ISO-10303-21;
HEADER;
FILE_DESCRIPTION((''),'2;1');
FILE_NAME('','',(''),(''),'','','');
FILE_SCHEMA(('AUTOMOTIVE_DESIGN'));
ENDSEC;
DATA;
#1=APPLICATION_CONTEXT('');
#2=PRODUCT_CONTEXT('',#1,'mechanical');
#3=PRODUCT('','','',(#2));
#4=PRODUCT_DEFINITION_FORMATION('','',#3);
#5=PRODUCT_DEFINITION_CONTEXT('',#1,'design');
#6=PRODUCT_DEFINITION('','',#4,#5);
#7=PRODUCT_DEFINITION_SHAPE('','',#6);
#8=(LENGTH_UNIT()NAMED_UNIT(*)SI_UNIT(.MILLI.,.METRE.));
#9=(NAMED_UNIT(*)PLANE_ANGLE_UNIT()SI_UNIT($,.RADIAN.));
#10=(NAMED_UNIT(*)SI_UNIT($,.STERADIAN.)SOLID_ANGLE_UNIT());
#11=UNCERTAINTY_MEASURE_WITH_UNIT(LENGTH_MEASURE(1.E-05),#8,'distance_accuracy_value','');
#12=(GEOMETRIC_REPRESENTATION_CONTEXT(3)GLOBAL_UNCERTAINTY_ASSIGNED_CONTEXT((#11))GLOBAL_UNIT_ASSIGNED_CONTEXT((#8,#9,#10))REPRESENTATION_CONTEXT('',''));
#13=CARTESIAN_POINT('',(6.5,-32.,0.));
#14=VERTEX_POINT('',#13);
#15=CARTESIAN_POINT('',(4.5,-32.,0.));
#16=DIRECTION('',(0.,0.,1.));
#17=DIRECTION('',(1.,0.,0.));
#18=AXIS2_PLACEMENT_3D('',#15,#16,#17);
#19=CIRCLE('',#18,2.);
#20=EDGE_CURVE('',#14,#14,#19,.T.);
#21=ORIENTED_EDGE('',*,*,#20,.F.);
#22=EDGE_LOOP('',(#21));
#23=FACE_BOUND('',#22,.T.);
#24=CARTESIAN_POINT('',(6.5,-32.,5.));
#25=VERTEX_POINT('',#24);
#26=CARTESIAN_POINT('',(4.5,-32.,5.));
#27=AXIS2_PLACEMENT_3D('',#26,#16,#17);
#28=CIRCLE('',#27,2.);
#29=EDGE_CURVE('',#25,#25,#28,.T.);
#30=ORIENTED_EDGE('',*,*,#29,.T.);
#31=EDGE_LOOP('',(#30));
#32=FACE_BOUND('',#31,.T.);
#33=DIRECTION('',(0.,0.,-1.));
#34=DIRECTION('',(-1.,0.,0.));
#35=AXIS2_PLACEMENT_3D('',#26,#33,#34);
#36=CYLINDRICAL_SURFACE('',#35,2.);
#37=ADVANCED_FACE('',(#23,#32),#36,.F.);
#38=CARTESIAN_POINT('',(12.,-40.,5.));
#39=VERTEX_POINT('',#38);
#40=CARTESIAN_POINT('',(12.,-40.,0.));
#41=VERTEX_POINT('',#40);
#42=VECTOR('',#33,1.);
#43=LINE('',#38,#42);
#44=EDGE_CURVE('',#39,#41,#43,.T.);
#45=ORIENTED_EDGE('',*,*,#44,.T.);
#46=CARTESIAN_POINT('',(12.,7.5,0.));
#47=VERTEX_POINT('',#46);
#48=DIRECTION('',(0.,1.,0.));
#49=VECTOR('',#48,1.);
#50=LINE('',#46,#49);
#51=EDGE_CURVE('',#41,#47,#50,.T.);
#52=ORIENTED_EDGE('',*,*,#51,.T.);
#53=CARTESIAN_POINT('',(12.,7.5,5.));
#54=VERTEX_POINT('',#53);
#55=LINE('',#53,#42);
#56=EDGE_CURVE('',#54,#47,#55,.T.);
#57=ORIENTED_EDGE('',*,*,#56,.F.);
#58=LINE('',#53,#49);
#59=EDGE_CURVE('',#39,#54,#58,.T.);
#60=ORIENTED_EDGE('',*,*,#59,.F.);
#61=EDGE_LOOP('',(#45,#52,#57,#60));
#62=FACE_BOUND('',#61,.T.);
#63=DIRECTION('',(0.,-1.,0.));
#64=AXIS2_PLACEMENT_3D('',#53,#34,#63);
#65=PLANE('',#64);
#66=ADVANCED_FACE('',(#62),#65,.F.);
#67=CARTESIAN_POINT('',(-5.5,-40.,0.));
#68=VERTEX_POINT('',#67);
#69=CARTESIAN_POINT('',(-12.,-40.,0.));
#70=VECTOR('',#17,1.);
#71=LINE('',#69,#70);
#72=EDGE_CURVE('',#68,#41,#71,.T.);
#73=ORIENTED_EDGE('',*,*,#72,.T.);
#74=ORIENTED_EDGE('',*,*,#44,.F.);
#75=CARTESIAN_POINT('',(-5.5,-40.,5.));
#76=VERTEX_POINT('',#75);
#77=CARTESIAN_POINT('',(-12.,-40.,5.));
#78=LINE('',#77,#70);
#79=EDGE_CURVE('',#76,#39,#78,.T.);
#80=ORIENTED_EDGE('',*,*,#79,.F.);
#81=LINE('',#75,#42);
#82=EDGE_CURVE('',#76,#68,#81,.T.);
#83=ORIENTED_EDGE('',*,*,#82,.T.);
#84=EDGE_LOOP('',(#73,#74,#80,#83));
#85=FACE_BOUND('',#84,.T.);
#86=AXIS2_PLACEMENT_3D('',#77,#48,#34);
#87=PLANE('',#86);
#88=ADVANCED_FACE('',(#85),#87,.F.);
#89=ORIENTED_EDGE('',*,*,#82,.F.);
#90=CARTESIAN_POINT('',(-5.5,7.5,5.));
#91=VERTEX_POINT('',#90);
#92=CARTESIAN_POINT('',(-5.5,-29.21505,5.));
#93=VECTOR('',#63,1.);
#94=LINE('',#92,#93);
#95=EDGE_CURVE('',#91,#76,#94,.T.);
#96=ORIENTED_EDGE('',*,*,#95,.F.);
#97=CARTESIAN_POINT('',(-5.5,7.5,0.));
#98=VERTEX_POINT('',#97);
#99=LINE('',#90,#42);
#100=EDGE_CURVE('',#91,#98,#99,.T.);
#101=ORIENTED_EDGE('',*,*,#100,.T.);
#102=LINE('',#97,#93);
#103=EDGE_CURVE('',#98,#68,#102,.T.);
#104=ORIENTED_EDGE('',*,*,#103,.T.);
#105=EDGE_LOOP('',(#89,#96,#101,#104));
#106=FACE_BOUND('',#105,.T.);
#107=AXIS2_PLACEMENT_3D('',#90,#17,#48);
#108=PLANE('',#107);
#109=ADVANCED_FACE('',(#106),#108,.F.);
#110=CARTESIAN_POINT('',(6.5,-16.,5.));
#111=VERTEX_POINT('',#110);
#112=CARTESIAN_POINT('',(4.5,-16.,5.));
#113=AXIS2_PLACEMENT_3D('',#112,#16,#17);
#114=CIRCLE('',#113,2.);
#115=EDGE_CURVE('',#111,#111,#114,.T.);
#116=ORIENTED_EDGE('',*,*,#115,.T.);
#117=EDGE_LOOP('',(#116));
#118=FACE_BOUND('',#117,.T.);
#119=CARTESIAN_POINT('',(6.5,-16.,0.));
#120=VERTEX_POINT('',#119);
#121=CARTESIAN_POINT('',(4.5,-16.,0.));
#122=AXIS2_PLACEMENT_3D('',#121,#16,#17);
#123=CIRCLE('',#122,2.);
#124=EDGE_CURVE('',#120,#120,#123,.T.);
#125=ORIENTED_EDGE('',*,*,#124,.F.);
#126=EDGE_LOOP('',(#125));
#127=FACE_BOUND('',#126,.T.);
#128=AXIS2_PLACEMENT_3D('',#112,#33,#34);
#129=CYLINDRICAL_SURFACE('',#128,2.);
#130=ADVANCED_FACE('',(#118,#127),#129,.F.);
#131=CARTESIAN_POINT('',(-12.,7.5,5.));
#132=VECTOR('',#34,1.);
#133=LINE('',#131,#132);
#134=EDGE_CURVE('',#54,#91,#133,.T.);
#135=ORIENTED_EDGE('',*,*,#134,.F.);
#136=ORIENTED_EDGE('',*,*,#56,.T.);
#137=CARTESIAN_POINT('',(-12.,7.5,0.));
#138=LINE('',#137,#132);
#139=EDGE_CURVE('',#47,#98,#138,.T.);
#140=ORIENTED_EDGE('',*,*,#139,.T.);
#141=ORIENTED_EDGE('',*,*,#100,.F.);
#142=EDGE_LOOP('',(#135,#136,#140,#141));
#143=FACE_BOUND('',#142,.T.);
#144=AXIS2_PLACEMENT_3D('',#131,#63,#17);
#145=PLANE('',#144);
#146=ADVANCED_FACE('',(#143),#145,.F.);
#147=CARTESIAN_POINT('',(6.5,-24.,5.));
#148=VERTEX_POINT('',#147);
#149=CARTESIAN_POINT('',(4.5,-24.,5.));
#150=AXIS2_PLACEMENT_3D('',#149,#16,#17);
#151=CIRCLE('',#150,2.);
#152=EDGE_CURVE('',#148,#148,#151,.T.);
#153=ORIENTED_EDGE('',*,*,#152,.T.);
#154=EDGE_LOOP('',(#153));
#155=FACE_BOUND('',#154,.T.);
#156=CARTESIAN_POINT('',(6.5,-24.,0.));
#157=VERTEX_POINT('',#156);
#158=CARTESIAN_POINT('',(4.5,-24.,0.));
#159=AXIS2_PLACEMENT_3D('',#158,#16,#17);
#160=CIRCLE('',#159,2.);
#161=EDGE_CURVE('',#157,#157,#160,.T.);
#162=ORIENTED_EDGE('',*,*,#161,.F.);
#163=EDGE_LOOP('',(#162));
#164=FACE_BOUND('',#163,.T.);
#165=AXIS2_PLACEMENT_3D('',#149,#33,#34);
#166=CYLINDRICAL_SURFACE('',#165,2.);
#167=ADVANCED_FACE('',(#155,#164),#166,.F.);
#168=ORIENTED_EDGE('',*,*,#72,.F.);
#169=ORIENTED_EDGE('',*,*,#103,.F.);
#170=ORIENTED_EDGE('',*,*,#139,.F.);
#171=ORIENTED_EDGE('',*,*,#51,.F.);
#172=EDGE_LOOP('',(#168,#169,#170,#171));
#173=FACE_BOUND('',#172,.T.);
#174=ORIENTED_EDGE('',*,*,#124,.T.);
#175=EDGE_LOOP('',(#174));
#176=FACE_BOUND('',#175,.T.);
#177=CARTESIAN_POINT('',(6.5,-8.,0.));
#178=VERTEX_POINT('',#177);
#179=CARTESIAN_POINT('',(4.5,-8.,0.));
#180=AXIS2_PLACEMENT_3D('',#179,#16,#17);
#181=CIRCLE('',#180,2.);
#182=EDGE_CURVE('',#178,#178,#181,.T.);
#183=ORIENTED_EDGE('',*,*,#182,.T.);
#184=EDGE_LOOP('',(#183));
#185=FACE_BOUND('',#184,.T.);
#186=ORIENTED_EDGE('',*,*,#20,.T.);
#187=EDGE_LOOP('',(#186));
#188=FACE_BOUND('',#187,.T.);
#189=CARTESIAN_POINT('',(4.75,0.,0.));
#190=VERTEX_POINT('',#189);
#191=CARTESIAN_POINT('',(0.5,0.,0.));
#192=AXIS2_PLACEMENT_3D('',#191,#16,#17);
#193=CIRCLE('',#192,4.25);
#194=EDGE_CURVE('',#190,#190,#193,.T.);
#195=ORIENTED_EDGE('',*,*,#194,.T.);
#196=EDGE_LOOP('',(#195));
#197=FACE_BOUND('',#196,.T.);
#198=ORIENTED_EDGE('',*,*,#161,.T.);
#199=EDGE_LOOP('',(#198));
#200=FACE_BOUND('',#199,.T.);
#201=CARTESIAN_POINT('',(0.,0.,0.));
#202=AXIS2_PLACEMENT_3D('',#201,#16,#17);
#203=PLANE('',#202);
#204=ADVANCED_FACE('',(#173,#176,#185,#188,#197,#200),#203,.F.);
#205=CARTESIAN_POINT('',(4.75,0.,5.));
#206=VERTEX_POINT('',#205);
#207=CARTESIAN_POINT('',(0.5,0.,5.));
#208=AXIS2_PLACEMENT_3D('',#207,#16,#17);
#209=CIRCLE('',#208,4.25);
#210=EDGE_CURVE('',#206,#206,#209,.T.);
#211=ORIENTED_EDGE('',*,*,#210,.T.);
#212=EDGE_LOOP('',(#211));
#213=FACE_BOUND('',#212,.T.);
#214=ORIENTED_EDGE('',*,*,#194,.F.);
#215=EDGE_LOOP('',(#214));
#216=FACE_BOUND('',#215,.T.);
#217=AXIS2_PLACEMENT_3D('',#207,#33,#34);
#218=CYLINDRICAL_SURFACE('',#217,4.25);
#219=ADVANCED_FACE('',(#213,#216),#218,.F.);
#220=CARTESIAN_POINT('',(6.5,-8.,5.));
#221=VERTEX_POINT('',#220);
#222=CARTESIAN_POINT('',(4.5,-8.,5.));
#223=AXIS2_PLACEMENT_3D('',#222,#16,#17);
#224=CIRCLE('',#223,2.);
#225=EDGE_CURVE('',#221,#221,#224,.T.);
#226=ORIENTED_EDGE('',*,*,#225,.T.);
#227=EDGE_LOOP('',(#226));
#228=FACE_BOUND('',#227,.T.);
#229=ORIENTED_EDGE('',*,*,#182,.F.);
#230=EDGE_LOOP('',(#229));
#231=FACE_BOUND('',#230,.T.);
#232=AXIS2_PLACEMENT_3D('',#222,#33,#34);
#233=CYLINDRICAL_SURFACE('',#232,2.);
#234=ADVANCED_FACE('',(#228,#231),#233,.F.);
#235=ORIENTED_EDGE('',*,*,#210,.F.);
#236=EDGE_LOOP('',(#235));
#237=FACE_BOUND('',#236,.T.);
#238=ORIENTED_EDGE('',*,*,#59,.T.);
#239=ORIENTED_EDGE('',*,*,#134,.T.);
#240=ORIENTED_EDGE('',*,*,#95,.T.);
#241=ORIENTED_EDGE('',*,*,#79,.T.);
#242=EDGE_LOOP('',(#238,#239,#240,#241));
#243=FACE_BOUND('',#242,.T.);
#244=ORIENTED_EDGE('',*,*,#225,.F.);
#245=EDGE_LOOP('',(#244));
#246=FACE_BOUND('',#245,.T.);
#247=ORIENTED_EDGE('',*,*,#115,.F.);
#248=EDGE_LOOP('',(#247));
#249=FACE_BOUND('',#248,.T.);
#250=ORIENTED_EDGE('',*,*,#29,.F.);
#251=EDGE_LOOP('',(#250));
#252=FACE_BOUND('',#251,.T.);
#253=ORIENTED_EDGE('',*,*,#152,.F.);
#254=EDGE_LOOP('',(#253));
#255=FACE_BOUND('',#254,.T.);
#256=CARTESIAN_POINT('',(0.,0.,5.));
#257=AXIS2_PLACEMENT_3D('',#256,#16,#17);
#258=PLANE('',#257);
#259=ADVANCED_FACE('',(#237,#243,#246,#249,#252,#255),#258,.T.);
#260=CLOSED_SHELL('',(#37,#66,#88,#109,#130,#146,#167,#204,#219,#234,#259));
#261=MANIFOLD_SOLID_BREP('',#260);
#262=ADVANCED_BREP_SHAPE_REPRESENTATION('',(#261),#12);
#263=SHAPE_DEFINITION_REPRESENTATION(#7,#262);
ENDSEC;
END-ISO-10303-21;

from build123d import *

# Parameters (mm, degrees)
CROQUIS1_W              = 24
CROQUIS1_H              = 47.5
CROQUIS1_R              = 2
CROQUIS1_R_2            = 4.25
SALIENTE_EXTRUIR1_DEPTH = 5
CORTAR_EXTRUIR2_DEPTH   = 5


with BuildPart() as part:
    # Croquis1 → Saliente-Extruir1 (new body)
    with BuildSketch(Plane.XY):
        with Locations((0, -16.25)):
            Rectangle(CROQUIS1_W, CROQUIS1_H)
        with Locations((4.5, -8)):
            Circle(CROQUIS1_R, mode=Mode.SUBTRACT)
        with Locations((4.5, -16)):
            Circle(CROQUIS1_R, mode=Mode.SUBTRACT)
        with Locations((4.5, -24)):
            Circle(CROQUIS1_R, mode=Mode.SUBTRACT)
        with Locations((0.5, 0)):
            Circle(CROQUIS1_R_2, mode=Mode.SUBTRACT)
        with Locations((4.5, -32)):
            Circle(CROQUIS1_R, mode=Mode.SUBTRACT)
    extrude(amount=SALIENTE_EXTRUIR1_DEPTH)

    # Croquis2 → Cortar-Extruir2 (cut)
    with BuildSketch(Plane(origin=(0, 0, 0), x_dir=(-1, 0, 0), z_dir=(0, 0, -1))):
        Polygon((5.5, 7.5), (12, 7.5), (12, -43.69397747), (5.5, -43.69397747), (5.5, -29.215049773), align=None)
    extrude(amount=-CORTAR_EXTRUIR2_DEPTH, mode=Mode.SUBTRACT)


solid = part.part
